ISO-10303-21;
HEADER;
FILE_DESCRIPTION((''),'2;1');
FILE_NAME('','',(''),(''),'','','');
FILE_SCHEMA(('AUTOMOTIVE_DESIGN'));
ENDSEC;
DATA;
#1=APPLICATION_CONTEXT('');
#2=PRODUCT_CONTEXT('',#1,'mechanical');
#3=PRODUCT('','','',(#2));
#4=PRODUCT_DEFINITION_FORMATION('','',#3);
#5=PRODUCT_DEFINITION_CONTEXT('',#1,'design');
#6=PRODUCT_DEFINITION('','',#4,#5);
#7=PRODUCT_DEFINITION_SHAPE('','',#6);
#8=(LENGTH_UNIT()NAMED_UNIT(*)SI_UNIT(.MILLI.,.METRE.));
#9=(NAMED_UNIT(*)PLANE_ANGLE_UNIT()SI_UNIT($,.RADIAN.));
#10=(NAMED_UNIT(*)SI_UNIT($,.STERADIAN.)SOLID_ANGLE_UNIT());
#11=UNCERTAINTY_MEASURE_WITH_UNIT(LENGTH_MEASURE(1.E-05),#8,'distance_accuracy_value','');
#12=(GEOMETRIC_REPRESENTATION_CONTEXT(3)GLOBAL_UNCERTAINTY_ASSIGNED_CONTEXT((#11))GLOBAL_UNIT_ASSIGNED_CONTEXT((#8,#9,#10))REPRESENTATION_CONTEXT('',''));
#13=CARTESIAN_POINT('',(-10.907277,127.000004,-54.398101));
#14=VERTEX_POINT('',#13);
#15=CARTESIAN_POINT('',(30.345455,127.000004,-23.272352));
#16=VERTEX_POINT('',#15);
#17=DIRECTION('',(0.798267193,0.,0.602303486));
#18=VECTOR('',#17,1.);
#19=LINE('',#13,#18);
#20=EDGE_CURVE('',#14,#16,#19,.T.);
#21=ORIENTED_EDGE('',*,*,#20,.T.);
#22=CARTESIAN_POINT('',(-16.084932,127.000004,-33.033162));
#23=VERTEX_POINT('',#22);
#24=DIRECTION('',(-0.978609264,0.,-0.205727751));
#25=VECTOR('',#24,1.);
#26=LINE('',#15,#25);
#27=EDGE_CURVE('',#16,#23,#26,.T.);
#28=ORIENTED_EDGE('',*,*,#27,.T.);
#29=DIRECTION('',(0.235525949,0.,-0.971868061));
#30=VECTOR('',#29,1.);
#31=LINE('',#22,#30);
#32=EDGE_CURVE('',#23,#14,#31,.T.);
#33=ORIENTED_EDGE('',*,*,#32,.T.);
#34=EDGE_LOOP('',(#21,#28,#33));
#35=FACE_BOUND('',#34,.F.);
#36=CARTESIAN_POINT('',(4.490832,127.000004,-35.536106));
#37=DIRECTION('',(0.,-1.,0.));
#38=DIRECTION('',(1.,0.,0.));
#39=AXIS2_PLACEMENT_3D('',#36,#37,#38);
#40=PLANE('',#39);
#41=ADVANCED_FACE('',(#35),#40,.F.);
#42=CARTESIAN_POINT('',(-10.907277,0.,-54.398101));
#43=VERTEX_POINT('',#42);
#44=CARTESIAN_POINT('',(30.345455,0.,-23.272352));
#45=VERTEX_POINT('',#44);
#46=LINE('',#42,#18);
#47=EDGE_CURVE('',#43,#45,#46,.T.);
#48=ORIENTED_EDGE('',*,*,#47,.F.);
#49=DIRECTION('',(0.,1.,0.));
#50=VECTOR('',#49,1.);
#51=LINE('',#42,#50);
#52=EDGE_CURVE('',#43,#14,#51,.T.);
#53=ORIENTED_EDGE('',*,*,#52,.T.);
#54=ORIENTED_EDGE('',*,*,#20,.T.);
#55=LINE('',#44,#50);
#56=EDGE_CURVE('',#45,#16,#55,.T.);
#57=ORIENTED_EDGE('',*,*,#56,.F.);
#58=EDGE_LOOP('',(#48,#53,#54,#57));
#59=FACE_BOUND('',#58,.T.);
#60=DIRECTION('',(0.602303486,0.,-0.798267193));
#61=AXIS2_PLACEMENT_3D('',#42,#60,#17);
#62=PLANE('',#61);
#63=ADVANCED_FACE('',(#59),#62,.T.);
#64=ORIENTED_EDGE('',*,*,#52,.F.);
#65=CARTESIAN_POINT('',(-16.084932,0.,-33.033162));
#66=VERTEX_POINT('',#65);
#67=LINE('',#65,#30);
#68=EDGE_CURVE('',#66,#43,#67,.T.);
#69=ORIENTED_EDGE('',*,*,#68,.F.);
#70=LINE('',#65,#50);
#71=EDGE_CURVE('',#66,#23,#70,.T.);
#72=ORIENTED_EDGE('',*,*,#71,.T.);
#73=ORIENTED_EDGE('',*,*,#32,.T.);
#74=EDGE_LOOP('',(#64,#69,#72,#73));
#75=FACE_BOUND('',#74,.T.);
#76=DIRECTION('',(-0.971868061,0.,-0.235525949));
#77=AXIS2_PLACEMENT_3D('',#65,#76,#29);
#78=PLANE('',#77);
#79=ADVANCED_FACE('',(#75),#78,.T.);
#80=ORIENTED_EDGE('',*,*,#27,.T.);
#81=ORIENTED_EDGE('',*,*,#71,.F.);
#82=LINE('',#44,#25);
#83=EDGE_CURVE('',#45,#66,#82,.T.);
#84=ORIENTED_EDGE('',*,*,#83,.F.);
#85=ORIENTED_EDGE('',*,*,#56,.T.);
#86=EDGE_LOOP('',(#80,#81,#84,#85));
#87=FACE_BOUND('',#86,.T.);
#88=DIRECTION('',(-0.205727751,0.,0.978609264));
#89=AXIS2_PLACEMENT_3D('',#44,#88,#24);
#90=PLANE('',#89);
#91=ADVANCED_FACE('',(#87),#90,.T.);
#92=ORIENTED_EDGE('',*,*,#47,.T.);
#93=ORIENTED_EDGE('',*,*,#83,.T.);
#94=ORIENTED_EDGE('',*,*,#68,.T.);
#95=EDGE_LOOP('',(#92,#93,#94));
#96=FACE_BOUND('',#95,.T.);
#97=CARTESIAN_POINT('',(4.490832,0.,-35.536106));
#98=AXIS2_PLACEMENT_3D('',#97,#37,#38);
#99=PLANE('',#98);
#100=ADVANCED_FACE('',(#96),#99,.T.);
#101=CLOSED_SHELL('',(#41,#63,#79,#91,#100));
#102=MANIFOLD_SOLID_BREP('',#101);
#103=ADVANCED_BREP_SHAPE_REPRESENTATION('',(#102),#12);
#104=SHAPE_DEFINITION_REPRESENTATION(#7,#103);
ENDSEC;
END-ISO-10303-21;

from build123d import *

# Parameters (mm, degrees)
F2_DEPTH = 127.000004


with BuildPart() as f2:
    # F1 (on face) → F2 (new body)
    with BuildSketch(Plane.XZ):
        Polygon((-10.907277, -54.398101), (30.345455, -23.272352), (-16.084932, -33.033162), align=None)
    extrude(amount=-F2_DEPTH)


solid = f2.part
